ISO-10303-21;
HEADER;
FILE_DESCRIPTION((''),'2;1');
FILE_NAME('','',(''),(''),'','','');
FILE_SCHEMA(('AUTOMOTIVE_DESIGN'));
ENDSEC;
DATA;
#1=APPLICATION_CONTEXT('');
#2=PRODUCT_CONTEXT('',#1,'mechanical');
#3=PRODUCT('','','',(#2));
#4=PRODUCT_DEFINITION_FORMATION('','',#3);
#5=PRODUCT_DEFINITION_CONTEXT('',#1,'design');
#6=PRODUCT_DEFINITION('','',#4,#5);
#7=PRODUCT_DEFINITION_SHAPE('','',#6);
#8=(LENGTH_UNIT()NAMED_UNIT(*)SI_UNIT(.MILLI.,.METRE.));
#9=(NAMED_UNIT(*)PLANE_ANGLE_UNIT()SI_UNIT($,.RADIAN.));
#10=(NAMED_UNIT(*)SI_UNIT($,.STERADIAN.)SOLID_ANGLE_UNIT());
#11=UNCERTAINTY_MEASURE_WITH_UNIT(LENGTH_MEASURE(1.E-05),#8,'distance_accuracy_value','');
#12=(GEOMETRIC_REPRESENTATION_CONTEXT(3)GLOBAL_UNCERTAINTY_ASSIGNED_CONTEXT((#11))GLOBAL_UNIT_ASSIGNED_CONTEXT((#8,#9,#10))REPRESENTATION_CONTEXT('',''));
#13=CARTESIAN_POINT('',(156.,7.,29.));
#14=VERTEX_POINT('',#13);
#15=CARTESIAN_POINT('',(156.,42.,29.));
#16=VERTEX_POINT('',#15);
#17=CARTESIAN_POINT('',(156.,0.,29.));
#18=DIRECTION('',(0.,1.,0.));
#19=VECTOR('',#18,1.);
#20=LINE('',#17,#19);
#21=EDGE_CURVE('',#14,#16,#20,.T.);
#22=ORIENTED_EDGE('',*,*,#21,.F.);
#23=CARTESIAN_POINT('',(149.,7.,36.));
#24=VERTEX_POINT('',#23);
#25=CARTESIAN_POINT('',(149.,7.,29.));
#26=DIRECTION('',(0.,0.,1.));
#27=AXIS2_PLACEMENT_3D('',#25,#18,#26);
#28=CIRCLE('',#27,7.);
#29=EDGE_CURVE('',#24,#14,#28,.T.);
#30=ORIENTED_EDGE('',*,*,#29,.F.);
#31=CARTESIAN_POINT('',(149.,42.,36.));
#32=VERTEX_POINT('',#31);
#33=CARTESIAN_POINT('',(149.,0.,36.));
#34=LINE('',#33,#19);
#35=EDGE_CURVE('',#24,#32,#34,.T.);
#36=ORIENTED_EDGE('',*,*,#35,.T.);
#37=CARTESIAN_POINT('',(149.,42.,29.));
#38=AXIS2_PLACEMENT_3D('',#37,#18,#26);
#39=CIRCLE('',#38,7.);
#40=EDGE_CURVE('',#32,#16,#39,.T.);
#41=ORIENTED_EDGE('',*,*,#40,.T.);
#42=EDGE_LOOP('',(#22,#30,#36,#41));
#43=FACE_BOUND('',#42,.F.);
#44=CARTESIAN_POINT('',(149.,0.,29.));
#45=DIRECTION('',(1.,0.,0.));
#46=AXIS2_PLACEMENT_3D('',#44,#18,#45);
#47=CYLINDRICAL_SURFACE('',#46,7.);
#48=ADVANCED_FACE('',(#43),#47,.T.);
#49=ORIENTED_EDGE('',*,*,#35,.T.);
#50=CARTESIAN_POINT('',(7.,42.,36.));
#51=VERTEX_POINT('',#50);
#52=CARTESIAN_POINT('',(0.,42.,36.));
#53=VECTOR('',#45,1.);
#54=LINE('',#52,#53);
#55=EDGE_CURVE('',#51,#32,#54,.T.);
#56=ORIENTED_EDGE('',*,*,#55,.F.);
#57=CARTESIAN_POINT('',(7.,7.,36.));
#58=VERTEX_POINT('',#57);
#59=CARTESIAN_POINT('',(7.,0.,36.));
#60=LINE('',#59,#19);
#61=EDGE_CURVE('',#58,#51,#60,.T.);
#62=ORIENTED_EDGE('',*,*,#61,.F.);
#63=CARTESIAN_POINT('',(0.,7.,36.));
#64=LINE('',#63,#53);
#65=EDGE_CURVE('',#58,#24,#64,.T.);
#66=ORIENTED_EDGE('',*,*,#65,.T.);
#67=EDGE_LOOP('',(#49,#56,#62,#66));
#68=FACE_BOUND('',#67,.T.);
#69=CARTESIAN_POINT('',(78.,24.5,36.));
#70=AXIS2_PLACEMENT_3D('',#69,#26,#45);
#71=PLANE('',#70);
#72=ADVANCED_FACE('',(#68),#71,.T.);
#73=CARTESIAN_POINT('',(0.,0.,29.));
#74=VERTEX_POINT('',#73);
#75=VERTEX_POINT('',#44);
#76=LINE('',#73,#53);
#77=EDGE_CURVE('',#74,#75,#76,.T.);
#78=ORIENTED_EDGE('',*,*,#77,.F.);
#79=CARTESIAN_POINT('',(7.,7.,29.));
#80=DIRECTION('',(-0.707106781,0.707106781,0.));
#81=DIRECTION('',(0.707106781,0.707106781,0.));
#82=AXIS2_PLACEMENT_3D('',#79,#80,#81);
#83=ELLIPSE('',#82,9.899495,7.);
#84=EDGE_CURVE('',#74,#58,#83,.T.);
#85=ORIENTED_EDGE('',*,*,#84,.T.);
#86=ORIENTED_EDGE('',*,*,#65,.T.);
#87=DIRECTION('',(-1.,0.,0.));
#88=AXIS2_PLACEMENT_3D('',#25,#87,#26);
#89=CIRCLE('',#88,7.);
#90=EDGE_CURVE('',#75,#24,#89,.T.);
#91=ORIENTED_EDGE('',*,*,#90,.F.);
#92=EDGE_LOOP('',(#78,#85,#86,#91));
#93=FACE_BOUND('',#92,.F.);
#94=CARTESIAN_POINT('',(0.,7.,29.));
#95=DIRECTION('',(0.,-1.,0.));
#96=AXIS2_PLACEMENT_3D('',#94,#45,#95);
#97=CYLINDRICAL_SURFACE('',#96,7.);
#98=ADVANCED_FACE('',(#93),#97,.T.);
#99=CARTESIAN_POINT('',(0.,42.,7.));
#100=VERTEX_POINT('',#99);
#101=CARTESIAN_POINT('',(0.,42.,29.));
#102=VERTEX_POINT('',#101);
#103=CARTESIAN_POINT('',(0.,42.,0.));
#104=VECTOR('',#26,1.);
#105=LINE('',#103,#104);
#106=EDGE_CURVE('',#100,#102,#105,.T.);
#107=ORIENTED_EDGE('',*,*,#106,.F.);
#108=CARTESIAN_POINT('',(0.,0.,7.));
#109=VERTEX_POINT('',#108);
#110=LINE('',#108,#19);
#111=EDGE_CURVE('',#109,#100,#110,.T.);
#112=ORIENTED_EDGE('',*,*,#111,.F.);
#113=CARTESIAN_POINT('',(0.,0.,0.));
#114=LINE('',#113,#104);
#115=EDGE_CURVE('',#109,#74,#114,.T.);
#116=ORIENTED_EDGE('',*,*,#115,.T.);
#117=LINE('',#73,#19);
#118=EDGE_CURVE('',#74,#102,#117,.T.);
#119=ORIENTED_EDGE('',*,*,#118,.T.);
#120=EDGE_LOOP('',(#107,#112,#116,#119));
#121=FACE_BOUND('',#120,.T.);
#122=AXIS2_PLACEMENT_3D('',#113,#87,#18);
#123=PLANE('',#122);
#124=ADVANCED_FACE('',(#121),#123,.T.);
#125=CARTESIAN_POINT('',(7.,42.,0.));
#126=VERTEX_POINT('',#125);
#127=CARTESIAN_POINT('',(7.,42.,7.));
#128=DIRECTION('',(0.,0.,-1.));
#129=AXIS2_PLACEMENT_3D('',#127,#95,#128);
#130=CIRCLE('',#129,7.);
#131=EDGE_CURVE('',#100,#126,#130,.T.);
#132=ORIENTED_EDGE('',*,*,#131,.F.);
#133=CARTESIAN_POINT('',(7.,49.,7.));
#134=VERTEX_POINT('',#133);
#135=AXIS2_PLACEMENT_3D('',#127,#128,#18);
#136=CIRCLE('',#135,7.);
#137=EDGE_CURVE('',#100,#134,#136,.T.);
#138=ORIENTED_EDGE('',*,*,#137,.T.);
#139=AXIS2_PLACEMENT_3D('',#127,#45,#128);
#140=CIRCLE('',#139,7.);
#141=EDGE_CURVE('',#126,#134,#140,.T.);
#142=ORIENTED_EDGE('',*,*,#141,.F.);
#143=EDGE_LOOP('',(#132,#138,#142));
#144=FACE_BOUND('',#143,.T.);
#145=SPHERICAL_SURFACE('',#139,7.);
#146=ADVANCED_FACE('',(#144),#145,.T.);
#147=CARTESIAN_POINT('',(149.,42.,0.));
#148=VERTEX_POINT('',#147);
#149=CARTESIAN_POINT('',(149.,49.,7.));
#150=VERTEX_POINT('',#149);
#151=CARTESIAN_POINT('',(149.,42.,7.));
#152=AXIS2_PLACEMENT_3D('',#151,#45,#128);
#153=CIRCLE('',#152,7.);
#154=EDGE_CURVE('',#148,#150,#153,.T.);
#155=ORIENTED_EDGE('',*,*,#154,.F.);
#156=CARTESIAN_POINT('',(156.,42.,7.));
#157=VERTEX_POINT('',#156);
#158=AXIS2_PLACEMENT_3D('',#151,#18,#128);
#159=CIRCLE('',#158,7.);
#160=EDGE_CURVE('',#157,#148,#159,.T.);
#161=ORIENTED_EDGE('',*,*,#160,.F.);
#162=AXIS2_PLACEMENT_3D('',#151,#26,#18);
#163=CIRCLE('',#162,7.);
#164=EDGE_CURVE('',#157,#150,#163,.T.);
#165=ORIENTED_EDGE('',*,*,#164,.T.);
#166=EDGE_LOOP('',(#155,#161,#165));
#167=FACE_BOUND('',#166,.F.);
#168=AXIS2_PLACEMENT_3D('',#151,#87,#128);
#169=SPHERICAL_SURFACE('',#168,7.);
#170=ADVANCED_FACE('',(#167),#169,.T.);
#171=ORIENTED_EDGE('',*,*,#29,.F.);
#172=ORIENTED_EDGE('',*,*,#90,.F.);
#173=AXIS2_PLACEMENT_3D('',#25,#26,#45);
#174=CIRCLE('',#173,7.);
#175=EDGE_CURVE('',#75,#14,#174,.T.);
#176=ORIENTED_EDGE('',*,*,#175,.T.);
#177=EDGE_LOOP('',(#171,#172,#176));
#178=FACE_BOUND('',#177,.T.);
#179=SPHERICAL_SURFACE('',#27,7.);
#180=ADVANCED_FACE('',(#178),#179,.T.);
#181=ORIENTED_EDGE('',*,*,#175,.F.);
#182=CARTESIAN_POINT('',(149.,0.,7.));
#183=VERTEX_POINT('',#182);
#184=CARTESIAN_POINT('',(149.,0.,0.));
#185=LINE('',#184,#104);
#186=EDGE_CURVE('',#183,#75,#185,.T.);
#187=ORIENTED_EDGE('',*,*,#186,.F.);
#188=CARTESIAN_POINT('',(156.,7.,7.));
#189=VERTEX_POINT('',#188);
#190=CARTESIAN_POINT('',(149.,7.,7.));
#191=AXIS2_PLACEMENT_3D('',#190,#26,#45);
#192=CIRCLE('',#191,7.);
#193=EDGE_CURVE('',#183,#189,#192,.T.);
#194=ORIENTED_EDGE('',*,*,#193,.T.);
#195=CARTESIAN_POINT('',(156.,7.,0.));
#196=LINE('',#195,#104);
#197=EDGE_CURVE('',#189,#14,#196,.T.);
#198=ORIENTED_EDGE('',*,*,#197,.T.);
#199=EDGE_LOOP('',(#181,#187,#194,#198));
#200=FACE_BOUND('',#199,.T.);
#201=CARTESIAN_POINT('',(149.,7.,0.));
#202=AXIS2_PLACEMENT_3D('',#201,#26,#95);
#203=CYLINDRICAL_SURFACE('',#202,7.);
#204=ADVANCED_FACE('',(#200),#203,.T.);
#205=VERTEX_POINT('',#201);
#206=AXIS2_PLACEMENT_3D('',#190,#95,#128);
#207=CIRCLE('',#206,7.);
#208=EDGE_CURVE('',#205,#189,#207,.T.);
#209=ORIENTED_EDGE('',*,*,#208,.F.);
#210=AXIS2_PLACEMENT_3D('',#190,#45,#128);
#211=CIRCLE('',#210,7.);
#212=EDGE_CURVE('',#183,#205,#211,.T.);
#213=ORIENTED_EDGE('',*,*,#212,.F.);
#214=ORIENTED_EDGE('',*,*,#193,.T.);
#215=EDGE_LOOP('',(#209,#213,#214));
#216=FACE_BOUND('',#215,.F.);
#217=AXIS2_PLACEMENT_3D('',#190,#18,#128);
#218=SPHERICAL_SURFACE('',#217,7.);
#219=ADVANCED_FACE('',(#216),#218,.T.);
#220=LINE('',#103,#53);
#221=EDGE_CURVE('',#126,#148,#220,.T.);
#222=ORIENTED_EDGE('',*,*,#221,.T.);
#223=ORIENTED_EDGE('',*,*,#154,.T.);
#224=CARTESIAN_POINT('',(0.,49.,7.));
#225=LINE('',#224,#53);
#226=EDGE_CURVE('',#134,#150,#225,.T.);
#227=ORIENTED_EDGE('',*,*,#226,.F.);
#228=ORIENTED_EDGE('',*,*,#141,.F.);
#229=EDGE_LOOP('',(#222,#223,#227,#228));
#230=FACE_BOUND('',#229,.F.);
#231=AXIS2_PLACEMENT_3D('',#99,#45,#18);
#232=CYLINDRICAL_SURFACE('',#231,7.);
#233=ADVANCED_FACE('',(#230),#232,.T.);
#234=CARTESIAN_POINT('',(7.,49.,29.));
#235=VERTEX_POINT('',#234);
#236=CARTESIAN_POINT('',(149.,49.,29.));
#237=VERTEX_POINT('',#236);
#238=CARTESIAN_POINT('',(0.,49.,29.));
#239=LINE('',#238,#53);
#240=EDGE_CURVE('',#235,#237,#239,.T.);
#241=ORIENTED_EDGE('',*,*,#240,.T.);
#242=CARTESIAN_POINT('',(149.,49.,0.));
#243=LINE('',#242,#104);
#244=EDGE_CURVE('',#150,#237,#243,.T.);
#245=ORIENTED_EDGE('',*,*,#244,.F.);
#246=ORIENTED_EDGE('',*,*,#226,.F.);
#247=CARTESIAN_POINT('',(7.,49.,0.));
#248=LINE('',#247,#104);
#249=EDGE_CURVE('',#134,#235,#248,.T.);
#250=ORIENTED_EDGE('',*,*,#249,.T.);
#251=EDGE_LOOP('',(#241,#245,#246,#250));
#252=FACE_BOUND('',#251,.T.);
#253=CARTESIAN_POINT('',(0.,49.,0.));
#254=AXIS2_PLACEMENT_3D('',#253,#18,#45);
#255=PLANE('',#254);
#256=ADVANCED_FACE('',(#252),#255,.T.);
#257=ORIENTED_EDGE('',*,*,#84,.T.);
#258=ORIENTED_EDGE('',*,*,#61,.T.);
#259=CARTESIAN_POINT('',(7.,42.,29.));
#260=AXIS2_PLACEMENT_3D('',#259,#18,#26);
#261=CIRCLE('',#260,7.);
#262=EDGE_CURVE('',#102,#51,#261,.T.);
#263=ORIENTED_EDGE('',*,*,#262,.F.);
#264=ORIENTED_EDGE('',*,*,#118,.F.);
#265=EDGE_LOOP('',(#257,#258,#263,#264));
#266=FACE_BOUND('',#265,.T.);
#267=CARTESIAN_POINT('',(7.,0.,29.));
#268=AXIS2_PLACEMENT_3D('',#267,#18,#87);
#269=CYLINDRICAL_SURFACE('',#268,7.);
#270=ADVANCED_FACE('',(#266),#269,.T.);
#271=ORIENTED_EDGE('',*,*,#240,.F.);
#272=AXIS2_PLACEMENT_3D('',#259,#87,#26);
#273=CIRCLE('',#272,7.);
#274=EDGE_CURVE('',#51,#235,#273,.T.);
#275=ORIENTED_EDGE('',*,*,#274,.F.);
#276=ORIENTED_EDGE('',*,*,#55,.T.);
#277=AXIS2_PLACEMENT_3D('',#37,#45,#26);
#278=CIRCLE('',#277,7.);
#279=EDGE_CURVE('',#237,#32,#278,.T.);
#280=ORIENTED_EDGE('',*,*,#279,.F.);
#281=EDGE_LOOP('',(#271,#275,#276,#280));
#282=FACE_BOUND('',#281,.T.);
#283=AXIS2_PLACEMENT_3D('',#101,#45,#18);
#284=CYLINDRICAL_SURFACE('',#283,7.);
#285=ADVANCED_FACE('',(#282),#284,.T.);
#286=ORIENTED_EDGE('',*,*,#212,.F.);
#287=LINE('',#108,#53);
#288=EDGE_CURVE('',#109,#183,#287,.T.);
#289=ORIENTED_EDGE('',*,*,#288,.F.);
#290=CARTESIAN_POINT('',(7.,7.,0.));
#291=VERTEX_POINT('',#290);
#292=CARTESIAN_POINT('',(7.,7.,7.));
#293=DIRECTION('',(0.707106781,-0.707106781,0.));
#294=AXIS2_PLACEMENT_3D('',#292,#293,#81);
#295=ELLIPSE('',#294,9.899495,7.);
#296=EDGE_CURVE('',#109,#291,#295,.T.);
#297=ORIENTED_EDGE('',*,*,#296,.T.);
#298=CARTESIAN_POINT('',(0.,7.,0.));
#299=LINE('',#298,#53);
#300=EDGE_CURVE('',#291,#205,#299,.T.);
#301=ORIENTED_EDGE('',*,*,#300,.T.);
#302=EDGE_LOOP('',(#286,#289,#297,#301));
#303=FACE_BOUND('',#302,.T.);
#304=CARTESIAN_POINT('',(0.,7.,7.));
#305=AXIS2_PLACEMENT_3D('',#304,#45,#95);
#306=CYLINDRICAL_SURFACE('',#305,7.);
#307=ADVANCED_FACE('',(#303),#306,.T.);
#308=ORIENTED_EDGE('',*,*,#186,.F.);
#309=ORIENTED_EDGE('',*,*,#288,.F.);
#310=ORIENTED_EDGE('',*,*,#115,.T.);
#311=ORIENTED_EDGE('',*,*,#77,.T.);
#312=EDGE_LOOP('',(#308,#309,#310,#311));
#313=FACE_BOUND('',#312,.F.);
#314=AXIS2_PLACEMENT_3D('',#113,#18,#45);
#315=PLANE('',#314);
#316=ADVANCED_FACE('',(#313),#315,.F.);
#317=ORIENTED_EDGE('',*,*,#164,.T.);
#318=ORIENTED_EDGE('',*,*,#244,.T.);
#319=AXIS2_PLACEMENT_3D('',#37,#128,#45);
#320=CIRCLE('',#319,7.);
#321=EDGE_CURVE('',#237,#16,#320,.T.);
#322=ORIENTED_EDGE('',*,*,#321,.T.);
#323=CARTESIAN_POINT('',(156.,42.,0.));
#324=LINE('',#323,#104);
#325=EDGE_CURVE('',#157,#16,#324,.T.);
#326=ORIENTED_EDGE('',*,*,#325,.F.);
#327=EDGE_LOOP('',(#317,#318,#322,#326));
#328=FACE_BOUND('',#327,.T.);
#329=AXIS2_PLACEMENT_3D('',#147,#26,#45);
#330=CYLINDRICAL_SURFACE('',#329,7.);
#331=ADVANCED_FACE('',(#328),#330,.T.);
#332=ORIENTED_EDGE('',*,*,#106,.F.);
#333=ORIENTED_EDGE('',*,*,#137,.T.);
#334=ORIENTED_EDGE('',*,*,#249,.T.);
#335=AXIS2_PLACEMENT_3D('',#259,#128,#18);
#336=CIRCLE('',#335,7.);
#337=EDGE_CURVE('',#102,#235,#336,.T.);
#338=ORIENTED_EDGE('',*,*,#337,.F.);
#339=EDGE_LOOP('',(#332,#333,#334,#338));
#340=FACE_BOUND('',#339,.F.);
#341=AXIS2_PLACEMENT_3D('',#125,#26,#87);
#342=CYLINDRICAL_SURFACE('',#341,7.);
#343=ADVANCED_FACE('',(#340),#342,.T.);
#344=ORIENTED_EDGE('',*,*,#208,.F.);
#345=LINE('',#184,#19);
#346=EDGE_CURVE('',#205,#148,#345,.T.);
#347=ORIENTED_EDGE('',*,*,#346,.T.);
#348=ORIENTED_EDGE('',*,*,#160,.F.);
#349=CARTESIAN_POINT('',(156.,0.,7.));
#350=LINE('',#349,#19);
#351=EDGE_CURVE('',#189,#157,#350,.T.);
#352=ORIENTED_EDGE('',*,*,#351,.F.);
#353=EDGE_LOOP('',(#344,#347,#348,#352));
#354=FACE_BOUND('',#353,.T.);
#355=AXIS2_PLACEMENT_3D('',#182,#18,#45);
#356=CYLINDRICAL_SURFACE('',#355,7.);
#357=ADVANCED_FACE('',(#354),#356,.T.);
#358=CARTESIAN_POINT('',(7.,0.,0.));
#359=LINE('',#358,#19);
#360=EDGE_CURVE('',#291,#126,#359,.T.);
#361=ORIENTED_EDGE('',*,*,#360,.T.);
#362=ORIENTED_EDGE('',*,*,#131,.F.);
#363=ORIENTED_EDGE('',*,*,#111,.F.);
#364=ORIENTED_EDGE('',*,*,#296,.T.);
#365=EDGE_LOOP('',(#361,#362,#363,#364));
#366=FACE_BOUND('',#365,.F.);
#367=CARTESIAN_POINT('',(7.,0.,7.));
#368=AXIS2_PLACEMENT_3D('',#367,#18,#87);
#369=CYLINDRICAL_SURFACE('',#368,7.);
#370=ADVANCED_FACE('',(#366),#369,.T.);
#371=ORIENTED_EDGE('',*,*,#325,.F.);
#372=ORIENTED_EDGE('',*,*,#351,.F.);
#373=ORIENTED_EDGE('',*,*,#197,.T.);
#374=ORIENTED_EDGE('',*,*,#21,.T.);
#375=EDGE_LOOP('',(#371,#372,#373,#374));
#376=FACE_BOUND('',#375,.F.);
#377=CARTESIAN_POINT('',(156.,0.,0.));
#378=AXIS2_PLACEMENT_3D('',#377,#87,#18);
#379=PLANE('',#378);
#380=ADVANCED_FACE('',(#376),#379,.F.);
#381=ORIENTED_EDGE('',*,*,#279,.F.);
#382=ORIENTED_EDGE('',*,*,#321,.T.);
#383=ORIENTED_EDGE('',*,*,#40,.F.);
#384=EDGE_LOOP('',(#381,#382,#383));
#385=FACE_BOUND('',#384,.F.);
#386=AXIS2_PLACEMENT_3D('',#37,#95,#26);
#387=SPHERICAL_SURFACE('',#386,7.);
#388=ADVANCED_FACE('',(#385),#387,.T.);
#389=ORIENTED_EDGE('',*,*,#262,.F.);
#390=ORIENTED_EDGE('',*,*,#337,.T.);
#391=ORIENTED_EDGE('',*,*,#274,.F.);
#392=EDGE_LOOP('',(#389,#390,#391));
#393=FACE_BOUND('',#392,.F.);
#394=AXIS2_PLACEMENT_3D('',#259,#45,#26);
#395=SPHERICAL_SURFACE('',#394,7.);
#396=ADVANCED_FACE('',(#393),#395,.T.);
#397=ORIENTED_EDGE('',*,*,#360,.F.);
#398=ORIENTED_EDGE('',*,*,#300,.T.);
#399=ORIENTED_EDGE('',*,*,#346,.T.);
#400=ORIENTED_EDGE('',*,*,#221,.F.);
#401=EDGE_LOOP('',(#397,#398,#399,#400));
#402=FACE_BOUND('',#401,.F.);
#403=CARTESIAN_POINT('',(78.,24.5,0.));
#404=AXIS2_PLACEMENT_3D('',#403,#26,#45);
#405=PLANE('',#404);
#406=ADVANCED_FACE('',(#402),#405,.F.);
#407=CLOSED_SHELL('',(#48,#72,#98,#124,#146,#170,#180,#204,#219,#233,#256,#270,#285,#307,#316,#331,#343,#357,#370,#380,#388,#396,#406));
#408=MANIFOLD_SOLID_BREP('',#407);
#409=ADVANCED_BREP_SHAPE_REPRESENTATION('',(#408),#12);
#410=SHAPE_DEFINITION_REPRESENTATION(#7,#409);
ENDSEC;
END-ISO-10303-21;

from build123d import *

# Parameters (mm, degrees)
SKETCH1_W           = 156
SKETCH1_H           = 49
BOSS_EXTRUDE1_DEPTH = 36
FILLET1_R           = 7


with BuildPart() as part:
    # Sketch1 → Boss-Extrude1 (new body)
    with BuildSketch(Plane.XY):
        with Locations((78, 24.5)):
            Rectangle(SKETCH1_W, SKETCH1_H)
    extrude(amount=BOSS_EXTRUDE1_DEPTH)

    # Fillet1
    fillet1_edges = [part.edges().sort_by_distance(p)[0] for p in [
        (156, 24.5, 36),
        (78, 49, 36),
        (0, 24.5, 36),
        (78, 49, 0),
        (156, 24.5, 0),
        (78, 0, 0),
        (0, 24.5, 0),
        (78, 0, 36),
        (0, 49, 18),
        (156, 49, 18),
        (156, 0, 18),
    ]]
    fillet(fillet1_edges, radius=FILLET1_R)


solid = part.part
